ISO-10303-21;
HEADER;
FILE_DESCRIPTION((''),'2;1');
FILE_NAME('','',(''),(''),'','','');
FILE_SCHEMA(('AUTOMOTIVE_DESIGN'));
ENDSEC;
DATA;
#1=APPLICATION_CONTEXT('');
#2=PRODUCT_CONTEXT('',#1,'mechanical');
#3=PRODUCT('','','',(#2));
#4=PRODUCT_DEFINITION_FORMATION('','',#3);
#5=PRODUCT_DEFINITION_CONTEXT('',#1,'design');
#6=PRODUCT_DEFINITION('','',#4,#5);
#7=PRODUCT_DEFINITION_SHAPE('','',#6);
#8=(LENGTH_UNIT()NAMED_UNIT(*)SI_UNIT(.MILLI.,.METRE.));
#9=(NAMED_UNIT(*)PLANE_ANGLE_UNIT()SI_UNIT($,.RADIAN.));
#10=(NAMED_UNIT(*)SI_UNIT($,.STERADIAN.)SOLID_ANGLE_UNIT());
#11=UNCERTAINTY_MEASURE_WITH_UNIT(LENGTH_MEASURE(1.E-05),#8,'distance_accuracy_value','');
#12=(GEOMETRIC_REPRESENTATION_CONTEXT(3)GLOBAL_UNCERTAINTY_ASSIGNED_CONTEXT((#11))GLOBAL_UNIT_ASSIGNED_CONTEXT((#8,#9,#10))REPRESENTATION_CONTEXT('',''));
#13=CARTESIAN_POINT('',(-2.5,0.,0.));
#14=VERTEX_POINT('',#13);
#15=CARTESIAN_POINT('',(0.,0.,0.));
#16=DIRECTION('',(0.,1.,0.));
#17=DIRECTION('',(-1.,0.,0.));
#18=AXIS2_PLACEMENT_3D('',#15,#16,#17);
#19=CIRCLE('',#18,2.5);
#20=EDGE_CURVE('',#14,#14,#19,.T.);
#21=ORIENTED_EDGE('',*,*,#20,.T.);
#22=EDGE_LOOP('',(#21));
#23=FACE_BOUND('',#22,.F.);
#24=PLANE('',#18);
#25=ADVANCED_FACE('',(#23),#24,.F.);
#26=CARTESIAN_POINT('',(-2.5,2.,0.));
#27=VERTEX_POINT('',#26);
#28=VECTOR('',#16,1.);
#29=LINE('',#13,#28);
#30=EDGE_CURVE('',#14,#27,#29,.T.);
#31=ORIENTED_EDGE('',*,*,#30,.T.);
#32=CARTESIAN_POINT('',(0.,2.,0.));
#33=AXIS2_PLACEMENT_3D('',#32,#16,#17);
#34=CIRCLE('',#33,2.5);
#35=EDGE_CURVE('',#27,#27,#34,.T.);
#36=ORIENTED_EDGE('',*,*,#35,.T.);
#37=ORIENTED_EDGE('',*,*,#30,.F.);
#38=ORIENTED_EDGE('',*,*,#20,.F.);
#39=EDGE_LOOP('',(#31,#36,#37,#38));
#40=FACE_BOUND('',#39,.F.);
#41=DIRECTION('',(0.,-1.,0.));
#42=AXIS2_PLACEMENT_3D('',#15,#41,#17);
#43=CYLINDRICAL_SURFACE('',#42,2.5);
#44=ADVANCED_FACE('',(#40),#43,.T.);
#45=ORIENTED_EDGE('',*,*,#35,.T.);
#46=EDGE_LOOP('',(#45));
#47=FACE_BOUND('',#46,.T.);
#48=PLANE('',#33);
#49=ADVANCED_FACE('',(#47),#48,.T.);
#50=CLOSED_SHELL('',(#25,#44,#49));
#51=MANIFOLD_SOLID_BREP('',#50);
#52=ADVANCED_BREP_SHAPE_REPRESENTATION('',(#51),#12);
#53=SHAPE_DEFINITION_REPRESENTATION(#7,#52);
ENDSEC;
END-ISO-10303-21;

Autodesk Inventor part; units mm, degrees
sketch "Sketch1" plane through (0, 0, 0) normal (0, 1, 0) x (-1, 0, 0)
  circle A0 centre (0, 0) radius 2.5
  dimension "d0" = 5
extrude "Extrusion1" add sketch "Sketch1" along normal blind 2
properties part number "magnet5_2" material "Iron, Ductile"
